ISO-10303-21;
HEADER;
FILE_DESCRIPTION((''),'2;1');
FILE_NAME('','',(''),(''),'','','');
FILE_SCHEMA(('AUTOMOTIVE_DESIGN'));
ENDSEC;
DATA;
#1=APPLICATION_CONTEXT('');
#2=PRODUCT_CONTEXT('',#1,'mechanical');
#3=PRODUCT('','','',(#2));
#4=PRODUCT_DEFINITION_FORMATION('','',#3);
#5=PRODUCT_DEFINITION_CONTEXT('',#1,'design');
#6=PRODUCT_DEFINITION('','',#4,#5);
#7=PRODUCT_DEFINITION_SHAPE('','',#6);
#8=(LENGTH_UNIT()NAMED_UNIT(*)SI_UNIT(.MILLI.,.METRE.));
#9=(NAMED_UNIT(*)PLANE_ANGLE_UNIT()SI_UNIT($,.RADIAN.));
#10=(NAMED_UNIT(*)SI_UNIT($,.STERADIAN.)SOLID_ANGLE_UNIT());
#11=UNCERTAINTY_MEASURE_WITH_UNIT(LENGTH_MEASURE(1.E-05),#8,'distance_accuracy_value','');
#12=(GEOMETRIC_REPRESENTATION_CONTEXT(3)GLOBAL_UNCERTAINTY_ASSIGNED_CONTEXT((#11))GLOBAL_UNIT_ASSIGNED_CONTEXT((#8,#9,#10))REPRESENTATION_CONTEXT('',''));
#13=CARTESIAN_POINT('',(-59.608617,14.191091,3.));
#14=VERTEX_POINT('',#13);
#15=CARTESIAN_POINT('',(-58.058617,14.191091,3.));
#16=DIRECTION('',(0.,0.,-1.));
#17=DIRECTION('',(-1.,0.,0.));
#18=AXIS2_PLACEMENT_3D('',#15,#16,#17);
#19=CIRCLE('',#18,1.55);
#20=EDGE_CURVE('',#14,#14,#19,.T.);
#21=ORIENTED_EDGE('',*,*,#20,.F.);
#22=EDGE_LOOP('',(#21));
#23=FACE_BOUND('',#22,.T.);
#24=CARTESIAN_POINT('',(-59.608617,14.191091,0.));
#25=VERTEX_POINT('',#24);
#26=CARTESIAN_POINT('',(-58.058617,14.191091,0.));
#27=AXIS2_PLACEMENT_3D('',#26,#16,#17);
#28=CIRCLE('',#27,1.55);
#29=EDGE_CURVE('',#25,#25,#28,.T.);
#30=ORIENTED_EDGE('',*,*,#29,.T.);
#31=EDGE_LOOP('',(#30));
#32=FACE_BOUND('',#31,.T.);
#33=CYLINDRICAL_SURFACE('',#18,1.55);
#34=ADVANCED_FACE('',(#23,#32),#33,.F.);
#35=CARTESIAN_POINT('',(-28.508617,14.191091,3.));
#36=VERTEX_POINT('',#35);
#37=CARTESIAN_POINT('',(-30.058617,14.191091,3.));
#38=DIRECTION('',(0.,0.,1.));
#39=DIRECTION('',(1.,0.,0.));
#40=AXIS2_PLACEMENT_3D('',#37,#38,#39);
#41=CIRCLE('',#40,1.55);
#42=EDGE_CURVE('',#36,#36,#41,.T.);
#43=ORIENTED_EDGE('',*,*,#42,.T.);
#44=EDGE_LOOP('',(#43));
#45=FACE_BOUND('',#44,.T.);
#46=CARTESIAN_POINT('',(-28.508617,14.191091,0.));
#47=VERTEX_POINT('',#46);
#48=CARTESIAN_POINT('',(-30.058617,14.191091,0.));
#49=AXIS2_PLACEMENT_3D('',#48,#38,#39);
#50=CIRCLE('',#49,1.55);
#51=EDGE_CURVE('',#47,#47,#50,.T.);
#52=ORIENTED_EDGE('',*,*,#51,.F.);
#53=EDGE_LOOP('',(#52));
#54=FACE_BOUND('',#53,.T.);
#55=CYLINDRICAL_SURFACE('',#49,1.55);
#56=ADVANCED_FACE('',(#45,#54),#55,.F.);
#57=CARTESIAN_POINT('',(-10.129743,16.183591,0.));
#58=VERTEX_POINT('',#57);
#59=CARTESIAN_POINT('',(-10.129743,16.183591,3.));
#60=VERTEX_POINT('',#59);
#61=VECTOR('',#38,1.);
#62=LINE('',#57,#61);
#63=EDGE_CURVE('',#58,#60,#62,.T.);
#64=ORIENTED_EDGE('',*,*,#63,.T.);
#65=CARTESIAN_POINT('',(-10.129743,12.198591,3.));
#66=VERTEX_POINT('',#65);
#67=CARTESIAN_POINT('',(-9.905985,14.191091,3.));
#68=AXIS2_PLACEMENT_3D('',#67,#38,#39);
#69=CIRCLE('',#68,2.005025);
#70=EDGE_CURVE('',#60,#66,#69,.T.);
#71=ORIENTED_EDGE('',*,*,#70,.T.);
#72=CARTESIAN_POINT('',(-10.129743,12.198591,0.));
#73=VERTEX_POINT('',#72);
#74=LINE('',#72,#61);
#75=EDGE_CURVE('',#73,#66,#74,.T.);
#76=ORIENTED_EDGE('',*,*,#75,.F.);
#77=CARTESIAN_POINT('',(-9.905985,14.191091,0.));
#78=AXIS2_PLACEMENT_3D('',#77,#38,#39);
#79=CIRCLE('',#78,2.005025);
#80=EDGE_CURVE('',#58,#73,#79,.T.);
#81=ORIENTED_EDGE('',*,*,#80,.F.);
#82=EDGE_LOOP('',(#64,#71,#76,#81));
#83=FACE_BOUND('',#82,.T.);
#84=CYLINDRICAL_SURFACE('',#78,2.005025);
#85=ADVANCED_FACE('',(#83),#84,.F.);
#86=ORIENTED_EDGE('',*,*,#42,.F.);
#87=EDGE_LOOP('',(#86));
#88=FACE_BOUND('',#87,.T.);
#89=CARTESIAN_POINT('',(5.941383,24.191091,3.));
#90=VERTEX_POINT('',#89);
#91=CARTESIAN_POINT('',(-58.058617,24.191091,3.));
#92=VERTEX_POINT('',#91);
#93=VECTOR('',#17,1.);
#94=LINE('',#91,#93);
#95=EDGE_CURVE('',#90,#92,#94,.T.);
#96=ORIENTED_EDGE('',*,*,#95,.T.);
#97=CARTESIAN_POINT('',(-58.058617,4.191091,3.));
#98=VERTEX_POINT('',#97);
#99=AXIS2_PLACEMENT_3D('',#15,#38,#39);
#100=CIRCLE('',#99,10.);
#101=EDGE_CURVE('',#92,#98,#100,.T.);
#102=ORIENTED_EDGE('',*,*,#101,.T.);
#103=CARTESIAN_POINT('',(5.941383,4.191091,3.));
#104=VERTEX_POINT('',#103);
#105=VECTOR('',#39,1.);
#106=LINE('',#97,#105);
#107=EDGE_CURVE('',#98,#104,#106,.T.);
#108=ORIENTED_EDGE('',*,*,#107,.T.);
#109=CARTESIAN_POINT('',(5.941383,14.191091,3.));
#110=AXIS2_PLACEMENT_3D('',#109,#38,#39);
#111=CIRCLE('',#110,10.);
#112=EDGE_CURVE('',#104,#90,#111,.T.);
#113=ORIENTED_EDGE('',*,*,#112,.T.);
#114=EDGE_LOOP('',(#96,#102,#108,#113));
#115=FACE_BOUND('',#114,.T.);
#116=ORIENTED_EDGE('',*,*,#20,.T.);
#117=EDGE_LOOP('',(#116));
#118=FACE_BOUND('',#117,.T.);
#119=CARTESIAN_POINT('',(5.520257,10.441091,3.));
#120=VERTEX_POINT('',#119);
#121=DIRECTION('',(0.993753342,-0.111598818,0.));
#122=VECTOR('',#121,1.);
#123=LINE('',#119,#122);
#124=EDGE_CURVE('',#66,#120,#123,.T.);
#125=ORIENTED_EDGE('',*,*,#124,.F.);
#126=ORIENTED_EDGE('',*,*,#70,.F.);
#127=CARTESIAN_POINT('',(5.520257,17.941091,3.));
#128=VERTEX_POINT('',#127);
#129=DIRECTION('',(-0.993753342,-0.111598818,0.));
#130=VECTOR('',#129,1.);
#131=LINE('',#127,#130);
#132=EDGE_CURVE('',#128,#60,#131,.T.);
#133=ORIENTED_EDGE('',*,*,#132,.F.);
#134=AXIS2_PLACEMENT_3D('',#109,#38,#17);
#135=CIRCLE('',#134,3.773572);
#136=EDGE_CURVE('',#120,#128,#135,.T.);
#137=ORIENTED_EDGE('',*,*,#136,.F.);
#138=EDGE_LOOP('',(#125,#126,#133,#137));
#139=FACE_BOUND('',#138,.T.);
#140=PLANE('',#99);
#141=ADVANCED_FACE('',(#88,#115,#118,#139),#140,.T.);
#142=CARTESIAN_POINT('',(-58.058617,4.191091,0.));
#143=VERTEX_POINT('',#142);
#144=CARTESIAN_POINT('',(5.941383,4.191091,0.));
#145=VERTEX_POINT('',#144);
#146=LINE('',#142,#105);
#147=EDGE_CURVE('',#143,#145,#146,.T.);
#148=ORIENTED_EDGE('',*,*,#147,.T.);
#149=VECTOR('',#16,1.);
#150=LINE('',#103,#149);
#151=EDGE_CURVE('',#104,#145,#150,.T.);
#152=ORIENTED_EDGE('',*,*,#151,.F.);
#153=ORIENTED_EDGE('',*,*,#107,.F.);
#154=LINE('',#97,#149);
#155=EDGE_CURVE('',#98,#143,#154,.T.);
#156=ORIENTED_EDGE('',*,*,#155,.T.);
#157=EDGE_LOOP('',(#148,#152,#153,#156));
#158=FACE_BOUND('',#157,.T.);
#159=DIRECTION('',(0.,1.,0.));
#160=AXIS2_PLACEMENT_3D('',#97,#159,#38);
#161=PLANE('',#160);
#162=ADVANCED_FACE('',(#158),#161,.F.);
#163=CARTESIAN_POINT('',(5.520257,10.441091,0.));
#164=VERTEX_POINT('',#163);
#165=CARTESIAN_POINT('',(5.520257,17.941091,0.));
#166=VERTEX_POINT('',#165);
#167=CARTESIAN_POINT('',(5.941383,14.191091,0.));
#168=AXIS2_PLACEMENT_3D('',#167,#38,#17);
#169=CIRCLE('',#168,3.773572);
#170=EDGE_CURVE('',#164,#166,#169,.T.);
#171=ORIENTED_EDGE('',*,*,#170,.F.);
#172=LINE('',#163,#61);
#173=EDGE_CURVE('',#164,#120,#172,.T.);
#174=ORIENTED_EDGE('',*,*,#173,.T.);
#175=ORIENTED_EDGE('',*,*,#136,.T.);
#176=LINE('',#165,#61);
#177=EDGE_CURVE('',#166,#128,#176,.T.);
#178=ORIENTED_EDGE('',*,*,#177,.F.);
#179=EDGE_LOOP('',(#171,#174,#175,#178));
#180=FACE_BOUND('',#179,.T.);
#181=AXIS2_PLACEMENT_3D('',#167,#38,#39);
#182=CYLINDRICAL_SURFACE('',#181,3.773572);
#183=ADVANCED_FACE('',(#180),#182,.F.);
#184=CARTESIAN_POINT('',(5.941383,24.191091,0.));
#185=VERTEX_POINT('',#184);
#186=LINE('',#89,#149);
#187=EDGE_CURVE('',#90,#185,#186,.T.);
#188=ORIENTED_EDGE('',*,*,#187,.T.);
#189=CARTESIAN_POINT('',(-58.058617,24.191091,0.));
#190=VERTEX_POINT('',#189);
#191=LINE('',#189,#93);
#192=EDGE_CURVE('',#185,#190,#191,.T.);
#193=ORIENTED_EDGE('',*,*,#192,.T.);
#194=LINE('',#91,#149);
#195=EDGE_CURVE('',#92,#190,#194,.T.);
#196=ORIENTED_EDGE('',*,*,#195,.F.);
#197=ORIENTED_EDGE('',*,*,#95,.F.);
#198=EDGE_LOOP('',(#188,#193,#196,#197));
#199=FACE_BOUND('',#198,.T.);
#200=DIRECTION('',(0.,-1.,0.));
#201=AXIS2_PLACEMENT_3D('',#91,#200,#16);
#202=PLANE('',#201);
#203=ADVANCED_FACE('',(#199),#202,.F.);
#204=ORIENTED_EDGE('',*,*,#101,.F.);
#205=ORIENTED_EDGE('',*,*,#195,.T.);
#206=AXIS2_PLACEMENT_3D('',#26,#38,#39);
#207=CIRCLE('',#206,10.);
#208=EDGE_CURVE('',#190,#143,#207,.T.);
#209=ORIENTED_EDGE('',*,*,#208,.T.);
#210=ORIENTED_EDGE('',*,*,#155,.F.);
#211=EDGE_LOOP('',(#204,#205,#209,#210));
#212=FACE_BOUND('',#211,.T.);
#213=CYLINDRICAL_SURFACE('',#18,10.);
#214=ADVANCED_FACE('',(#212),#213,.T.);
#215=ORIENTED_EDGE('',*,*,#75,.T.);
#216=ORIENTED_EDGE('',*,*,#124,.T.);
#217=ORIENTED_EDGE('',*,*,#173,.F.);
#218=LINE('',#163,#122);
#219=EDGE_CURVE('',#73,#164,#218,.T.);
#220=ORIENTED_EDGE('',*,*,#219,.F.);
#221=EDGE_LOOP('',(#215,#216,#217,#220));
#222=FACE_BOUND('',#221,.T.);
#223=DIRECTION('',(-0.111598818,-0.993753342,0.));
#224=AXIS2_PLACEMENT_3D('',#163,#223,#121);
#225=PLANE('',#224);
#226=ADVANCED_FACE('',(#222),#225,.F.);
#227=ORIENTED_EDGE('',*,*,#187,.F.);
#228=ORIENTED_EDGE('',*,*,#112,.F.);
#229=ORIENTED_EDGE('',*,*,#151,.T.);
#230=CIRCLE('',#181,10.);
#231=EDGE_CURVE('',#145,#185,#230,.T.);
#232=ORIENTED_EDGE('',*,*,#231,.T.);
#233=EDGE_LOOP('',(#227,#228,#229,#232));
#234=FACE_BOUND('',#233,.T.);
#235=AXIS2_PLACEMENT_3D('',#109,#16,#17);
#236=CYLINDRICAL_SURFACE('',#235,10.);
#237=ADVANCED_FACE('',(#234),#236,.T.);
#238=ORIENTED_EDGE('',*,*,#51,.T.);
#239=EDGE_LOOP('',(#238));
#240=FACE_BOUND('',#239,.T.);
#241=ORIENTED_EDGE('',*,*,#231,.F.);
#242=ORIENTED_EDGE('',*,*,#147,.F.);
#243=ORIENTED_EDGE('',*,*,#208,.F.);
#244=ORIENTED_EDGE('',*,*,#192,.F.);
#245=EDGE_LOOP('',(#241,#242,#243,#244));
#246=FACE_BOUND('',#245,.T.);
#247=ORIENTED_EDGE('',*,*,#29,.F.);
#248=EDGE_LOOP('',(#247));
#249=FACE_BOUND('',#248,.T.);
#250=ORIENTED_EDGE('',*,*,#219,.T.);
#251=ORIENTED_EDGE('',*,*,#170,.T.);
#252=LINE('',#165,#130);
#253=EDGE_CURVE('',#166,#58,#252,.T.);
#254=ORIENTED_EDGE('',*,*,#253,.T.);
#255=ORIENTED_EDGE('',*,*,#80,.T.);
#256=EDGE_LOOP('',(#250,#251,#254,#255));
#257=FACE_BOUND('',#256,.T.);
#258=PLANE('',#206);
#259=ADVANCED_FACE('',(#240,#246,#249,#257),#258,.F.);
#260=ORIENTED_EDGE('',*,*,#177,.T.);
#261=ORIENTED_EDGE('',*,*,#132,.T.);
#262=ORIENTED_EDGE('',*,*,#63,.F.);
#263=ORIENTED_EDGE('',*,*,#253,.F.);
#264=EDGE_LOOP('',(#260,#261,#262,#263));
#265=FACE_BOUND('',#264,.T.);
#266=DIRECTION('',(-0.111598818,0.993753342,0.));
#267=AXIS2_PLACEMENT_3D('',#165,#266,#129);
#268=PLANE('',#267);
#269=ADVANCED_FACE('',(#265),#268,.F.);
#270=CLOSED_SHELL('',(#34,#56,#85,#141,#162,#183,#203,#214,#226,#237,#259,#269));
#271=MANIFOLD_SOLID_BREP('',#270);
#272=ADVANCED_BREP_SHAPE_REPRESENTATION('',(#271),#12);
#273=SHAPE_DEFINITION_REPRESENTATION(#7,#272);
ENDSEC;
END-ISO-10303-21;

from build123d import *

# Parameters (mm, degrees)
BOSS_EXTRUDE1_DEPTH = 3
CUT_EXTRUDE1_DEPTH  = 3
SKETCH4_R           = 1.55
CUT_EXTRUDE4_DEPTH  = 3
SKETCH5_R           = 1.55
CUT_EXTRUDE6_DEPTH  = 3


with BuildPart() as part:
    # Sketch1 → Boss-Extrude1 (new body)
    with BuildSketch(Plane.XY):
        with BuildLine():
            Line((-58.058617241, 24.191090517), (5.941382759, 24.191090517))
            ThreePointArc((5.941382759, 24.191090517), (15.941382759, 14.191090517), (5.941382759, 4.191090517))
            Line((5.941382759, 4.191090517), (-58.058617241, 4.191090517))
            ThreePointArc((-58.058617241, 4.191090517), (-68.058617241, 14.191090517), (-58.058617241, 24.191090517))
        make_face()
    extrude(amount=BOSS_EXTRUDE1_DEPTH)

    # Sketch2 → Cut-Extrude1 (cut)
    with BuildSketch(Plane.XY.offset(3)):
        with BuildLine():
            Line((5.520256561, 17.941090517), (-10.129743439, 16.183590517))
            ThreePointArc((-10.129743439, 16.183590517), (-11.911009757, 14.191090517), (-10.129743439, 12.198590517))
            Line((-10.129743439, 12.198590517), (5.520256561, 10.441090517))
            ThreePointArc((5.520256561, 10.441090517), (9.714954976, 14.191090517), (5.520256561, 17.941090517))
        make_face()
    extrude(amount=-CUT_EXTRUDE1_DEPTH, mode=Mode.SUBTRACT)

    # Sketch4 → Cut-Extrude4 (cut)
    with BuildSketch(Plane(origin=(9.979459273, 1.433252018, 3), x_dir=(1, 0, 0), z_dir=(0, 0, 1))):
        with Locations((-40.038076514, 12.757838499)):
            Circle(SKETCH4_R)
    extrude(amount=-CUT_EXTRUDE4_DEPTH, mode=Mode.SUBTRACT)

    # Sketch5 → Cut-Extrude6 (cut)
    with BuildSketch(Plane(origin=(-9.979459273, 1.433252018, 0), x_dir=(-1, 0, 0), z_dir=(0, 0, -1))):
        with Locations((48.079157968, 12.757838499)):
            Circle(SKETCH5_R)
    extrude(amount=-CUT_EXTRUDE6_DEPTH, mode=Mode.SUBTRACT)


solid = part.part
